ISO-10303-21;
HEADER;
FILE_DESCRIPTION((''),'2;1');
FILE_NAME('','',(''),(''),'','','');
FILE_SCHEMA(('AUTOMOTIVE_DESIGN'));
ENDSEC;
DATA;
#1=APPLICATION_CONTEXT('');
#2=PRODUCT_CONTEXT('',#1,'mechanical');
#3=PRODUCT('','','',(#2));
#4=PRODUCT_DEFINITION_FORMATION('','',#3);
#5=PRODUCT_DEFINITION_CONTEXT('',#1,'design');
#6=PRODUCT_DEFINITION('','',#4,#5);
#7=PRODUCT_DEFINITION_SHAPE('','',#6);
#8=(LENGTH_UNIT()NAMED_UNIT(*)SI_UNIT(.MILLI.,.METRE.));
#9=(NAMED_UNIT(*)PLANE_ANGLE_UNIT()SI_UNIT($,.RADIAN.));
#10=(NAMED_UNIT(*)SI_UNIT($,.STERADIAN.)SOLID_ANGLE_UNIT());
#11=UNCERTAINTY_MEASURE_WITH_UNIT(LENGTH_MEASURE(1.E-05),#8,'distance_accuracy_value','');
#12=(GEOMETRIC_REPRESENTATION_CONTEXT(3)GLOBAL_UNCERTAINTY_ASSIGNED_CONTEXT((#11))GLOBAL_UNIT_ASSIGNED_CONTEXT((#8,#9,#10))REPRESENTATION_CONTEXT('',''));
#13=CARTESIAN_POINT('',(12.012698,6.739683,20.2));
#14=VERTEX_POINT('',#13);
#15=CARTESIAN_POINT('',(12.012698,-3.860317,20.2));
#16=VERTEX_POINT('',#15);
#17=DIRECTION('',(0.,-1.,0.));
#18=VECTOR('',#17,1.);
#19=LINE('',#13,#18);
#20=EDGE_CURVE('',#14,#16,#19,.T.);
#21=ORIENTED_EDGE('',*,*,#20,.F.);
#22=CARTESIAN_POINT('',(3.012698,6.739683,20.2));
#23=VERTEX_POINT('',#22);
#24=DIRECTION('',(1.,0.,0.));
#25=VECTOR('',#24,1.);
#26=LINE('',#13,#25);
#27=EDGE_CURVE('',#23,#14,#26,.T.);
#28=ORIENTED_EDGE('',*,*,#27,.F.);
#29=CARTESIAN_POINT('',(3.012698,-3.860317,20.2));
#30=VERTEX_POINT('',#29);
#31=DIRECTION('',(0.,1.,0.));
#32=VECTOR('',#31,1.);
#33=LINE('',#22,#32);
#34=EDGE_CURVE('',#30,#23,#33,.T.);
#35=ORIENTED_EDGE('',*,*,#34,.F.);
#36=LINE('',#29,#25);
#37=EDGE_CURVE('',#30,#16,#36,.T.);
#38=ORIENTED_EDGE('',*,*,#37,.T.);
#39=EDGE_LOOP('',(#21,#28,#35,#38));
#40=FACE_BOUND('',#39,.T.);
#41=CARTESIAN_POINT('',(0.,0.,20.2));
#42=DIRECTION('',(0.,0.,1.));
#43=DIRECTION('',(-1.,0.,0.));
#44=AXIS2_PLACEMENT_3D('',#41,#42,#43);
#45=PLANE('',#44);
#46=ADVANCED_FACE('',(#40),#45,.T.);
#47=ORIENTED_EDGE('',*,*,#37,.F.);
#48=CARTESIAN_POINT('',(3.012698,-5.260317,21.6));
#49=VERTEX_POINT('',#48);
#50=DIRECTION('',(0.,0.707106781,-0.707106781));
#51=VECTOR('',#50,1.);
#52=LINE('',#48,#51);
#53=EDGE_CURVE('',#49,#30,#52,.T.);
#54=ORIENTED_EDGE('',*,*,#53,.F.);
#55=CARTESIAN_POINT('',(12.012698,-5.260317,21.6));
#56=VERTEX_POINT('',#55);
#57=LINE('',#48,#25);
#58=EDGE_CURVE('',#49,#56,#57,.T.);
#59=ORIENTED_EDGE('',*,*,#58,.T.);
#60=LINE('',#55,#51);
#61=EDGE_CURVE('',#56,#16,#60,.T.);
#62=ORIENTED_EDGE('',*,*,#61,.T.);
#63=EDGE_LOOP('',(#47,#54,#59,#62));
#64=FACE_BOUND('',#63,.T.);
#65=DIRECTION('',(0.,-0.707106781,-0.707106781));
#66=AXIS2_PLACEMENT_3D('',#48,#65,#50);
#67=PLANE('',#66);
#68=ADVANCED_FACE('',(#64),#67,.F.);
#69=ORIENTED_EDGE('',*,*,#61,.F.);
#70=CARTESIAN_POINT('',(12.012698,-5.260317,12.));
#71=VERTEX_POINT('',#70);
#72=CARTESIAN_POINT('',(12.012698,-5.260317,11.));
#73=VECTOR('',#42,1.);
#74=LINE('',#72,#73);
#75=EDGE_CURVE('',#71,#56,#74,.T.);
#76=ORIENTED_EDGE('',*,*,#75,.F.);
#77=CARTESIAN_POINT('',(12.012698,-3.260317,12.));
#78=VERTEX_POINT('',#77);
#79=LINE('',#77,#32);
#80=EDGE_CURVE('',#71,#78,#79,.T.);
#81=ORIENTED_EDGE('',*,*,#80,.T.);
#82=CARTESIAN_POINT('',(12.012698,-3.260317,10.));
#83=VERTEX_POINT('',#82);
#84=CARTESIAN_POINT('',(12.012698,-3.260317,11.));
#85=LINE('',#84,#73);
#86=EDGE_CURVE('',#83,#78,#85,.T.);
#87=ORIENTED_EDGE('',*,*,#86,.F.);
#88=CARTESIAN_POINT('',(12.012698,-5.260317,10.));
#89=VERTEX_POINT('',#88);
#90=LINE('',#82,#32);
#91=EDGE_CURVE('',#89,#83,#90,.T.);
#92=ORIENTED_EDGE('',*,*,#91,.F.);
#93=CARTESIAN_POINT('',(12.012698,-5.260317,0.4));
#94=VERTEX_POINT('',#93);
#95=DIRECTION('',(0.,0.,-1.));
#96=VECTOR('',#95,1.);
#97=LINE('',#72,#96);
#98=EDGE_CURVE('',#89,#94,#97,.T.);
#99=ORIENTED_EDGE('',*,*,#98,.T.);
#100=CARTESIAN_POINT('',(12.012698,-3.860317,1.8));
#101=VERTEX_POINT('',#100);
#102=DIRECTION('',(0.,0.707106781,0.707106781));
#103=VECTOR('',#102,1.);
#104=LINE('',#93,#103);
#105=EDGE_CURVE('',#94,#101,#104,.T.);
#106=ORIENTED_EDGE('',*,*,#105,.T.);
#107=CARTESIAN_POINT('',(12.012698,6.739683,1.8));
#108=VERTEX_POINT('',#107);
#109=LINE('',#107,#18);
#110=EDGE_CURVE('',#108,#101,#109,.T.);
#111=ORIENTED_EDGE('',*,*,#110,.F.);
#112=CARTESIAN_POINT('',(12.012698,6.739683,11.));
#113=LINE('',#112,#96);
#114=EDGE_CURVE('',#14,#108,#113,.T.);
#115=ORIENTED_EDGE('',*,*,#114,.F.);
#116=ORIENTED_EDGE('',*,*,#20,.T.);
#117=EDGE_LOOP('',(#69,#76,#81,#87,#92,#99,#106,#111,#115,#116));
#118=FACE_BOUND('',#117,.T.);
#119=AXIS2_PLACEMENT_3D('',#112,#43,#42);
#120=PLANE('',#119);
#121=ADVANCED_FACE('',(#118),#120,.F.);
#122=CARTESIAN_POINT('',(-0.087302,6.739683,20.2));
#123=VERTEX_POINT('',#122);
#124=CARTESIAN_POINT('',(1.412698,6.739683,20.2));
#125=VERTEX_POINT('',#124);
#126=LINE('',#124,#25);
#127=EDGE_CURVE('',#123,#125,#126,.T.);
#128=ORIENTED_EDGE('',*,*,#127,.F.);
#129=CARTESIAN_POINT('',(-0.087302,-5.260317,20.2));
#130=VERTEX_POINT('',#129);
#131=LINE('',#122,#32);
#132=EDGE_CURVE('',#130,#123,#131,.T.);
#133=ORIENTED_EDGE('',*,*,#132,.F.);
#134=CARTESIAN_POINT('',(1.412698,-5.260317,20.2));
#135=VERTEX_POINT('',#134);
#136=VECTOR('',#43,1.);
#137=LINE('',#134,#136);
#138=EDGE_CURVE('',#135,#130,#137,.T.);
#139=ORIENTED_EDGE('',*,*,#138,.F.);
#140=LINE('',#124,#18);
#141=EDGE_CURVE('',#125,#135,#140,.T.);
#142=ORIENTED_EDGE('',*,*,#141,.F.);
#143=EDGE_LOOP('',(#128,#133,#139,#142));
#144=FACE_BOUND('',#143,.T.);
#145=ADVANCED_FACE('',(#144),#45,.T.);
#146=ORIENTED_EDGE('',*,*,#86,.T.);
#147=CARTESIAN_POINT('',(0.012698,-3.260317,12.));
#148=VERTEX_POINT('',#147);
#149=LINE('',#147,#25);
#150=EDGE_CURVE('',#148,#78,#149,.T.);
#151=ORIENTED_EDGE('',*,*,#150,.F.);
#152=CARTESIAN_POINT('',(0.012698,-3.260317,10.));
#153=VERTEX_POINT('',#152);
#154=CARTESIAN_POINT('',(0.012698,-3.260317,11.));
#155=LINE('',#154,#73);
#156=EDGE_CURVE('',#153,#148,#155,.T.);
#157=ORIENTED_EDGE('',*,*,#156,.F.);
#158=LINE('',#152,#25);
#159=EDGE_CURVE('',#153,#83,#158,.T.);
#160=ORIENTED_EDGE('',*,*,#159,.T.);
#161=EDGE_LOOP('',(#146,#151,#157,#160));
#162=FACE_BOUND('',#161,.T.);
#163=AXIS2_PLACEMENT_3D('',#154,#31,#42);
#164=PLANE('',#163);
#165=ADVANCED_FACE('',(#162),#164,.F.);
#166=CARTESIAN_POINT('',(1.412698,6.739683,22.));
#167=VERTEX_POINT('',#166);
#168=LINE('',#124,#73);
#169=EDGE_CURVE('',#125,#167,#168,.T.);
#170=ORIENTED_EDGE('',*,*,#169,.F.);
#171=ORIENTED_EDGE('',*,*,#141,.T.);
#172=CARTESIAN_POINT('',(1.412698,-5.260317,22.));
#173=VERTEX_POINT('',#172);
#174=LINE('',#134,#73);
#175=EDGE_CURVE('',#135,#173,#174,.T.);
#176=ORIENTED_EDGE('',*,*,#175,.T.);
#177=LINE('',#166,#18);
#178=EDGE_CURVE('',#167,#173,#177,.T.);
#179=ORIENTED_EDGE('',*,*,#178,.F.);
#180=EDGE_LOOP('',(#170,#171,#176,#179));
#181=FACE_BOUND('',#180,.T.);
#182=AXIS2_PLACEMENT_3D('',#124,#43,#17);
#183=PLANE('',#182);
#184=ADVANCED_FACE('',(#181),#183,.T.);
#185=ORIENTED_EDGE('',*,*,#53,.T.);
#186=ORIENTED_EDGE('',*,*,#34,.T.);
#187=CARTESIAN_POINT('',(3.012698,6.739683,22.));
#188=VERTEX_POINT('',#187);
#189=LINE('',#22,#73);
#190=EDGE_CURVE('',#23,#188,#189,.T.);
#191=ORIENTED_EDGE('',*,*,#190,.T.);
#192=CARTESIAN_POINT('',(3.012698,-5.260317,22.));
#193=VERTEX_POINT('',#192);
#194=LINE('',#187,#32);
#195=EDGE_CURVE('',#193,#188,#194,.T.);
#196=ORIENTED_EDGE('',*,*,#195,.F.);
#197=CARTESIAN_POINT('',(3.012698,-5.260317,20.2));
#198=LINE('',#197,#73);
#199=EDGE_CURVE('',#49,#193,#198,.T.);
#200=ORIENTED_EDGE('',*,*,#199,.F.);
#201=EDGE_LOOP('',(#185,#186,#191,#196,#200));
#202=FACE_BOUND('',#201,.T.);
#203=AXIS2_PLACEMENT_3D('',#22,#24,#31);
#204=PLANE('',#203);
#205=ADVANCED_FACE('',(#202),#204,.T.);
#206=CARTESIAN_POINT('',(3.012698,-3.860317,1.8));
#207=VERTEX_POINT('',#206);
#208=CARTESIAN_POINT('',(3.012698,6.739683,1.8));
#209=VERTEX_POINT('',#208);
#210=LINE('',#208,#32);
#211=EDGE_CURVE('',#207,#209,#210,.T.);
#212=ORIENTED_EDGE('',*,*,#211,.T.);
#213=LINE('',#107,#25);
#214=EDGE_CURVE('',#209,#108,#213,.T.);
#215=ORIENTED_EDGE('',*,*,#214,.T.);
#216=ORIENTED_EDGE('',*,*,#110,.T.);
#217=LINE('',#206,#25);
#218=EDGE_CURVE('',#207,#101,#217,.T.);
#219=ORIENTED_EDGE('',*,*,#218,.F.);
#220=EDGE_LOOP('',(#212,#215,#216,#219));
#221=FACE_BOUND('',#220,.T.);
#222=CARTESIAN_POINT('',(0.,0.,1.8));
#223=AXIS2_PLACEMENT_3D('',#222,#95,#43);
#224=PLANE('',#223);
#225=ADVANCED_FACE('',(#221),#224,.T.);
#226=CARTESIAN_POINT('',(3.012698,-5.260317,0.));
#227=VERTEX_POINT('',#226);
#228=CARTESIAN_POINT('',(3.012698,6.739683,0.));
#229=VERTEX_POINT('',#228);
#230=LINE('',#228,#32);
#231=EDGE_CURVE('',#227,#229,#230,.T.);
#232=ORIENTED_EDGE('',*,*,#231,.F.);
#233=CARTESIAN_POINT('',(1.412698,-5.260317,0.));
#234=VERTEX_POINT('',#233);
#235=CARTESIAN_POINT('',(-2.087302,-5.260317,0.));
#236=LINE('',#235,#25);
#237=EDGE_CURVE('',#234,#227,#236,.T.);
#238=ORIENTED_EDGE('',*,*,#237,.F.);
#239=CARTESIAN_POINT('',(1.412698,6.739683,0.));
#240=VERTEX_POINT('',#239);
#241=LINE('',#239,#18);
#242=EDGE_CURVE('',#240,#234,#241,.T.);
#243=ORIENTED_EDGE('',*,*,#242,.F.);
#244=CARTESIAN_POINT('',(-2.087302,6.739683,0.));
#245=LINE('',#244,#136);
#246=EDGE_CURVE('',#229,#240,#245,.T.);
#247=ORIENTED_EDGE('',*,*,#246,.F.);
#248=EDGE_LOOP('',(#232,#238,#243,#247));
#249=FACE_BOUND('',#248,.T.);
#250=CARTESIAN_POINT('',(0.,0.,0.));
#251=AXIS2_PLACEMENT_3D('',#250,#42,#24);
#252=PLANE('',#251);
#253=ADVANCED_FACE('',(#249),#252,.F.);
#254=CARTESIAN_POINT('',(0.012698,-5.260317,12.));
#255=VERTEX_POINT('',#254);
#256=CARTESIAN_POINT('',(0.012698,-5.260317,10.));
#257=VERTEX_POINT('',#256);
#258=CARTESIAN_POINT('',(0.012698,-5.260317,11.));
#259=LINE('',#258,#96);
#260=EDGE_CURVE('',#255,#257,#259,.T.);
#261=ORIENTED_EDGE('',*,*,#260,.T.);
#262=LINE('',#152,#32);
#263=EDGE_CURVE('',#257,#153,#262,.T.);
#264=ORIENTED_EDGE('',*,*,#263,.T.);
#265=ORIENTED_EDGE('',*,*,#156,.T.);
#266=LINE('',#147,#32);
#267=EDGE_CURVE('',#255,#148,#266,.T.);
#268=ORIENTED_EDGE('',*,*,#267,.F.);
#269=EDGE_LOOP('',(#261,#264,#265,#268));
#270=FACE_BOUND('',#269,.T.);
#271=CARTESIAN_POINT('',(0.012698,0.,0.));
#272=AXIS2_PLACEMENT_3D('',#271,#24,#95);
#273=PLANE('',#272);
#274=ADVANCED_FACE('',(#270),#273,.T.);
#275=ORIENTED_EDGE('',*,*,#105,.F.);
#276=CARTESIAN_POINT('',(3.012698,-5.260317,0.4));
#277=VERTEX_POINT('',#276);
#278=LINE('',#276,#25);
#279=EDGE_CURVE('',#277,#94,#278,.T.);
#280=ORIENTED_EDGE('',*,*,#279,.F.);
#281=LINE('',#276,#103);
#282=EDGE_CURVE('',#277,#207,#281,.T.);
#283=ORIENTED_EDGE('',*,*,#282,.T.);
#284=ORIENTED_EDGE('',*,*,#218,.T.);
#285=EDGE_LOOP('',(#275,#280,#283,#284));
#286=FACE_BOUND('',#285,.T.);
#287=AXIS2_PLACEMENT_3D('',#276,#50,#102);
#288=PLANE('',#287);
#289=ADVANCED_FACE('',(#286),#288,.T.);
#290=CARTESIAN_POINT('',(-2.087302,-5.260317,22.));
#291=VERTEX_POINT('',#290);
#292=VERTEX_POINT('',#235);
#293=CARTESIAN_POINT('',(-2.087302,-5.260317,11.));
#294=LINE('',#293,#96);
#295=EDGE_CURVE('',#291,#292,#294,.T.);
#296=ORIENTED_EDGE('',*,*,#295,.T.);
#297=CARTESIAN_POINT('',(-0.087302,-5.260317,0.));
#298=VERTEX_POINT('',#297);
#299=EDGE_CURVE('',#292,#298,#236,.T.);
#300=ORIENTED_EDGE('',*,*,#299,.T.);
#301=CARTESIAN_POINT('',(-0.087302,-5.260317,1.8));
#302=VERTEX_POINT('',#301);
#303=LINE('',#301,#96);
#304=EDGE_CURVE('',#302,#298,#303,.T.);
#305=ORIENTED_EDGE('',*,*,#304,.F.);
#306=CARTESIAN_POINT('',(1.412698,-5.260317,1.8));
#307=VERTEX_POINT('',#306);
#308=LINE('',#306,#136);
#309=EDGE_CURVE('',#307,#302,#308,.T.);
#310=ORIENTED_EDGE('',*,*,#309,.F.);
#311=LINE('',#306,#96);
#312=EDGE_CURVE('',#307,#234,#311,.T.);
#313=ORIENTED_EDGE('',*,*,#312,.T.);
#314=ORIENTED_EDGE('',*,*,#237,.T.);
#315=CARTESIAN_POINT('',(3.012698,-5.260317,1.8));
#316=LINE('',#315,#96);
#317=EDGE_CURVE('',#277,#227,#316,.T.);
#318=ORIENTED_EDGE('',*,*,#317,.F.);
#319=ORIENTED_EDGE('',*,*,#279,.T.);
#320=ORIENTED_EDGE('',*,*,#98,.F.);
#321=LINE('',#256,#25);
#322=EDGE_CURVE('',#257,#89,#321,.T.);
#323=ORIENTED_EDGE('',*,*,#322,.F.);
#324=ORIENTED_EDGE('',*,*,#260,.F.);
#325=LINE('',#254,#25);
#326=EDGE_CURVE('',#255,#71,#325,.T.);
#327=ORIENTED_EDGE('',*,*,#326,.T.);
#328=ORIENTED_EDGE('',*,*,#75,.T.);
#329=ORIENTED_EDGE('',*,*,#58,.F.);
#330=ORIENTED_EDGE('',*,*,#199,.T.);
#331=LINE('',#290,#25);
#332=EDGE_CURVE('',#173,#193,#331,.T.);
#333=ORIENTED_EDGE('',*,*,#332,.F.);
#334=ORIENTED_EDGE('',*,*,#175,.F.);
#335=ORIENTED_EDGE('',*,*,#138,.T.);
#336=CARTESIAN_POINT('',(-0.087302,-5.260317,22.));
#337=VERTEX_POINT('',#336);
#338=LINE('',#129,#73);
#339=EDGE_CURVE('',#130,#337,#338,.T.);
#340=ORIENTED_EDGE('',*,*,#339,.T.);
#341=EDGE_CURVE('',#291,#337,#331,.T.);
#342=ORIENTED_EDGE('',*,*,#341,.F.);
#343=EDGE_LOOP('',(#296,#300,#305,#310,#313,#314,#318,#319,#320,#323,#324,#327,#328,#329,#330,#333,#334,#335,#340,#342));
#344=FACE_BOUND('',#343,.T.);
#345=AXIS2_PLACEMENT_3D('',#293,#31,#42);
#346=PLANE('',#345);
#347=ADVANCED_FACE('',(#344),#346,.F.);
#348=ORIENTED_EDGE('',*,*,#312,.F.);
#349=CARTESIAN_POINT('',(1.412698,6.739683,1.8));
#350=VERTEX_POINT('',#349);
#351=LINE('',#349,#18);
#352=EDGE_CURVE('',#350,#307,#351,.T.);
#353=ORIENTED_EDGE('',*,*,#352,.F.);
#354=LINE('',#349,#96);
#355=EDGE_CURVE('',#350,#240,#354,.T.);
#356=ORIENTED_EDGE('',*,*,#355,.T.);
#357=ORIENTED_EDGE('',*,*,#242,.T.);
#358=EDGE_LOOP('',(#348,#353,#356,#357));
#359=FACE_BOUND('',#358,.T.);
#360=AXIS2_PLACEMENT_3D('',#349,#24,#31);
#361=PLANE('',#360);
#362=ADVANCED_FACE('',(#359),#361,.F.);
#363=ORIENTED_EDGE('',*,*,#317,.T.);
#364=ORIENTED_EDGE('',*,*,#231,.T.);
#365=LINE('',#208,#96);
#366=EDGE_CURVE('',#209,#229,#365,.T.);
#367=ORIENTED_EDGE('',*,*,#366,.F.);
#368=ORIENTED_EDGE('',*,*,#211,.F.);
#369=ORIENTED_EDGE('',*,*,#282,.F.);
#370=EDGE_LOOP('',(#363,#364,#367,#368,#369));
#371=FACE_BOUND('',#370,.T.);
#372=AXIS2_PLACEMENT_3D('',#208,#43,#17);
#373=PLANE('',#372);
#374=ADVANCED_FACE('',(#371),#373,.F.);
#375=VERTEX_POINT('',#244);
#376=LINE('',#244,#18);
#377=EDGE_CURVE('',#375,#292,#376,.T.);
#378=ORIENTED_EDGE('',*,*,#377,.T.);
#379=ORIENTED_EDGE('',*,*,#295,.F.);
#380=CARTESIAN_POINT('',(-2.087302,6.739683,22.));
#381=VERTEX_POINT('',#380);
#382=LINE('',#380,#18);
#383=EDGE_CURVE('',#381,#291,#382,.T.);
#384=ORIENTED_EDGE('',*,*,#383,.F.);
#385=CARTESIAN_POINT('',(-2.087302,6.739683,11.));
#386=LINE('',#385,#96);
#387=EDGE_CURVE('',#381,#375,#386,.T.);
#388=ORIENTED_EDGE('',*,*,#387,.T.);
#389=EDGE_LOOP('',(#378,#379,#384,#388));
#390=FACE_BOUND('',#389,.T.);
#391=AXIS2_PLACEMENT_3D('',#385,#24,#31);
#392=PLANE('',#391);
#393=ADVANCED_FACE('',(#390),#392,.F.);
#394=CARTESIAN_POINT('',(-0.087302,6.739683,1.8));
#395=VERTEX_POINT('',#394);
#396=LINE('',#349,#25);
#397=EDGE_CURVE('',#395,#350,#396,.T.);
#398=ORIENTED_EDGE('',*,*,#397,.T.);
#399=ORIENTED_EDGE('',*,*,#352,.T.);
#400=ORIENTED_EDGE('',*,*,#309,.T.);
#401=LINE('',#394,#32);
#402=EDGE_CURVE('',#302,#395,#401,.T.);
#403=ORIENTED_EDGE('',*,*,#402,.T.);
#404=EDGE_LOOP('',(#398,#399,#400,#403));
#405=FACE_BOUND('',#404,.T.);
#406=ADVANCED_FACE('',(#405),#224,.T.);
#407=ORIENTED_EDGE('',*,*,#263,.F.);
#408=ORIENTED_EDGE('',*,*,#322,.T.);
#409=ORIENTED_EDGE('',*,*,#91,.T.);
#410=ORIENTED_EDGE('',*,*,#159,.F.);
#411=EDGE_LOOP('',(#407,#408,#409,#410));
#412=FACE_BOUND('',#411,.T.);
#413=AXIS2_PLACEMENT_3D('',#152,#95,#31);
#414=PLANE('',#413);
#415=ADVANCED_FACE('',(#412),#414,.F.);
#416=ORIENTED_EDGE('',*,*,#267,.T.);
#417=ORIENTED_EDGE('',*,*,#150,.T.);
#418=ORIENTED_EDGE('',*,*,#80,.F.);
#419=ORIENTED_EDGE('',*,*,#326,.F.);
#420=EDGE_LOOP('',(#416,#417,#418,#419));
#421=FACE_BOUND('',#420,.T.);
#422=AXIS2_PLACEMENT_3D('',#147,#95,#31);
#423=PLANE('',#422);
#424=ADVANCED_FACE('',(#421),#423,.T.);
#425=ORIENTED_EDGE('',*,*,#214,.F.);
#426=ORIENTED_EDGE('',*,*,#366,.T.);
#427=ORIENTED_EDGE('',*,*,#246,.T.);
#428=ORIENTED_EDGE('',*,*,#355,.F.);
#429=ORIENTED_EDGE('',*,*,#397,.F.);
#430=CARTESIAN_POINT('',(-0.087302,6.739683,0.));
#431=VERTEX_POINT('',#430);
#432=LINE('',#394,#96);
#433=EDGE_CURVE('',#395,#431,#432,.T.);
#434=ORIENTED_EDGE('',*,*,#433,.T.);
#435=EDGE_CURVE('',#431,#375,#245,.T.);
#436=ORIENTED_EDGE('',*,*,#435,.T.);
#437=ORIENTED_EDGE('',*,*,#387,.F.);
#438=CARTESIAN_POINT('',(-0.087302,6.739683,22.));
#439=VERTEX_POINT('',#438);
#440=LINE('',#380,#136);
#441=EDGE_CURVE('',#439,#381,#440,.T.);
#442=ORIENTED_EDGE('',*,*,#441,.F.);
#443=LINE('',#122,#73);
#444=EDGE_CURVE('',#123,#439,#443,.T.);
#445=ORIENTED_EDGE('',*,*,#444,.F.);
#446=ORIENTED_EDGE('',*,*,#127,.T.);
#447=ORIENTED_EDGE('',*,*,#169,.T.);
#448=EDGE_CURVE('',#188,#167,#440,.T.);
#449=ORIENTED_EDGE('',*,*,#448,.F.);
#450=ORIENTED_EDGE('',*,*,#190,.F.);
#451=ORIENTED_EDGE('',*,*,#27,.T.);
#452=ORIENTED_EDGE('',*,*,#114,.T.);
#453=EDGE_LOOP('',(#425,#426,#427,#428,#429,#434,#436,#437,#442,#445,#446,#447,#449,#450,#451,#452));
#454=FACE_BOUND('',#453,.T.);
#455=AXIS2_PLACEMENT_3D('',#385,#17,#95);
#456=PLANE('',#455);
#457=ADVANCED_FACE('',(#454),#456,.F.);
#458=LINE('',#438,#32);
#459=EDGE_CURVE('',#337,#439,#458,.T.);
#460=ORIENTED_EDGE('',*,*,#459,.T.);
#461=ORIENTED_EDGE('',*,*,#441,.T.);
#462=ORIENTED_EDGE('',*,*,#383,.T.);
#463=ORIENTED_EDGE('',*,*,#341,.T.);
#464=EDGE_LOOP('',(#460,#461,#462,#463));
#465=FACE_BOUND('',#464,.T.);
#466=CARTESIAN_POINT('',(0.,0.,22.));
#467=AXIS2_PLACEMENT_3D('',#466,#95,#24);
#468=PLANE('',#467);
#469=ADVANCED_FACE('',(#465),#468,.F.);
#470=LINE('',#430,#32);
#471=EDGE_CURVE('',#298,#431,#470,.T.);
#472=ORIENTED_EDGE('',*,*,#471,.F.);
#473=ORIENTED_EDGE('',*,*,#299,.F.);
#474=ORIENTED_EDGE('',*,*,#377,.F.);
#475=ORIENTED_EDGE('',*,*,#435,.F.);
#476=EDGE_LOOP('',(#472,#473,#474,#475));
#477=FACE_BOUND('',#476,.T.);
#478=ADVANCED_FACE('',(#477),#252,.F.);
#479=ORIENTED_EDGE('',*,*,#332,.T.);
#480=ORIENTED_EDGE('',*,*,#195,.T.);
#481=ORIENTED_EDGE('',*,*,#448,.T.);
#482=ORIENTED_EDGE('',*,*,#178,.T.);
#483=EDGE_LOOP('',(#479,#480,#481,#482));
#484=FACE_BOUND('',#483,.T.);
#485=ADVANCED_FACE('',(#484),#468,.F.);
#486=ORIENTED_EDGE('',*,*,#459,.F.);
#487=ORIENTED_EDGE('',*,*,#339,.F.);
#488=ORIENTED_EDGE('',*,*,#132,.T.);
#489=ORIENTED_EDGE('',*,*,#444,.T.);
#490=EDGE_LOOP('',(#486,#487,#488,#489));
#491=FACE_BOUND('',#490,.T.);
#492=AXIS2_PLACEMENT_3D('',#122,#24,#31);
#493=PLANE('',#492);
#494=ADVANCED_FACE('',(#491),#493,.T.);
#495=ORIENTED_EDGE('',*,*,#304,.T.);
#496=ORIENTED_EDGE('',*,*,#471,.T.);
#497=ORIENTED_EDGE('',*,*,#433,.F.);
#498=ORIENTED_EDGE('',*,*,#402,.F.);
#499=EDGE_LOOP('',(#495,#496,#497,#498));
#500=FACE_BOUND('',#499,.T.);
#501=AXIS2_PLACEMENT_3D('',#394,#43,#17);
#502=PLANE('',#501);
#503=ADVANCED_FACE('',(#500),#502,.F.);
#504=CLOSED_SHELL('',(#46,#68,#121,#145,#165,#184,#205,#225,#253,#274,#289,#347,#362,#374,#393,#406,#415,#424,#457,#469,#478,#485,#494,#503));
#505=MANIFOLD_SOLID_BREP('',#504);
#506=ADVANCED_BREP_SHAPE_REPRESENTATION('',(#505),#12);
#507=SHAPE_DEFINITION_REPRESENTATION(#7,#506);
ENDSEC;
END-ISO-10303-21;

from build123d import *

# Parameters (mm, degrees)
SKETCH_1_W          = 14.1
SKETCH_1_H          = 12
EXTRUDE_1_DEPTH     = 11
SKETCH_2_W          = 1.5
SKETCH_2_H          = 12
CUT_EXTRUDE_1_DEPTH = 1.8
SKETCH_3_W          = 9
SKETCH_3_H          = 12
CUT_EXTRUDE_2_DEPTH = 1.8
EXTRUDE_2_DEPTH     = 9
SKETCH_5_W          = 1
SKETCH_5_H          = 2
CUT_EXTRUDE_3_DEPTH = 12


with BuildPart() as part:
    # Эскиз1 → Бобышка-Вытянуть1 (new body)
    with BuildSketch(Plane.XY):
        with Locations((4.962698413, 0.73968254)):
            Rectangle(SKETCH_1_W, SKETCH_1_H)
    extrude_1 = extrude(amount=EXTRUDE_1_DEPTH)

    # Эскиз2 → Вырез-Вытянуть1 (cut)
    with BuildSketch(Plane(origin=(0, 0, 0), x_dir=(-1, 0, 0), z_dir=(0, 0, -1))):
        with Locations((-0.662698413, 0.73968254)):
            Rectangle(SKETCH_2_W, SKETCH_2_H)
    cut_extrude_1 = extrude(amount=-CUT_EXTRUDE_1_DEPTH, mode=Mode.SUBTRACT)

    # Эскиз3 → Вырез-Вытянуть2 (cut)
    with BuildSketch(Plane(origin=(0, 0, 0), x_dir=(-1, 0, 0), z_dir=(0, 0, -1))):
        with Locations((-7.512698413, 0.73968254)):
            Rectangle(SKETCH_3_W, SKETCH_3_H)
    cut_extrude_2 = extrude(amount=-CUT_EXTRUDE_2_DEPTH, mode=Mode.SUBTRACT)

    # Эскиз4 → Бобышка-Вытянуть2 (add)
    with BuildSketch(Plane(origin=(12.012698413, 0, 0), x_dir=(0, 0, -1), z_dir=(1, 0, 0))):
        Polygon((-1.8, -5.26031746), (-0.4, -5.26031746), (-1.8, -3.86031746), align=None)
    extrude_2 = extrude(amount=-EXTRUDE_2_DEPTH)

    # Эскиз5 → Вырез-Вытянуть3 (cut)
    with BuildSketch(Plane(origin=(12.012698413, 0, 0), x_dir=(0, 0, -1), z_dir=(1, 0, 0))):
        with Locations((-10.5, -4.26031746)):
            Rectangle(SKETCH_5_W, SKETCH_5_H)
    cut_extrude_3 = extrude(amount=-CUT_EXTRUDE_3_DEPTH, mode=Mode.SUBTRACT)

    # Зеркальное отражение1: Бобышка-Вытянуть1, Вырез-Вытянуть1, Вырез-Вытянуть2, Бобышка-Вытянуть2, Вырез-Вытянуть3 across plane
    add(extrude_1.mirror(Plane.XY.offset(11)))
    add(cut_extrude_1.mirror(Plane.XY.offset(11)), mode=Mode.SUBTRACT)
    add(cut_extrude_2.mirror(Plane.XY.offset(11)), mode=Mode.SUBTRACT)
    add(extrude_2.mirror(Plane.XY.offset(11)))
    add(cut_extrude_3.mirror(Plane.XY.offset(11)), mode=Mode.SUBTRACT)


solid = part.part
